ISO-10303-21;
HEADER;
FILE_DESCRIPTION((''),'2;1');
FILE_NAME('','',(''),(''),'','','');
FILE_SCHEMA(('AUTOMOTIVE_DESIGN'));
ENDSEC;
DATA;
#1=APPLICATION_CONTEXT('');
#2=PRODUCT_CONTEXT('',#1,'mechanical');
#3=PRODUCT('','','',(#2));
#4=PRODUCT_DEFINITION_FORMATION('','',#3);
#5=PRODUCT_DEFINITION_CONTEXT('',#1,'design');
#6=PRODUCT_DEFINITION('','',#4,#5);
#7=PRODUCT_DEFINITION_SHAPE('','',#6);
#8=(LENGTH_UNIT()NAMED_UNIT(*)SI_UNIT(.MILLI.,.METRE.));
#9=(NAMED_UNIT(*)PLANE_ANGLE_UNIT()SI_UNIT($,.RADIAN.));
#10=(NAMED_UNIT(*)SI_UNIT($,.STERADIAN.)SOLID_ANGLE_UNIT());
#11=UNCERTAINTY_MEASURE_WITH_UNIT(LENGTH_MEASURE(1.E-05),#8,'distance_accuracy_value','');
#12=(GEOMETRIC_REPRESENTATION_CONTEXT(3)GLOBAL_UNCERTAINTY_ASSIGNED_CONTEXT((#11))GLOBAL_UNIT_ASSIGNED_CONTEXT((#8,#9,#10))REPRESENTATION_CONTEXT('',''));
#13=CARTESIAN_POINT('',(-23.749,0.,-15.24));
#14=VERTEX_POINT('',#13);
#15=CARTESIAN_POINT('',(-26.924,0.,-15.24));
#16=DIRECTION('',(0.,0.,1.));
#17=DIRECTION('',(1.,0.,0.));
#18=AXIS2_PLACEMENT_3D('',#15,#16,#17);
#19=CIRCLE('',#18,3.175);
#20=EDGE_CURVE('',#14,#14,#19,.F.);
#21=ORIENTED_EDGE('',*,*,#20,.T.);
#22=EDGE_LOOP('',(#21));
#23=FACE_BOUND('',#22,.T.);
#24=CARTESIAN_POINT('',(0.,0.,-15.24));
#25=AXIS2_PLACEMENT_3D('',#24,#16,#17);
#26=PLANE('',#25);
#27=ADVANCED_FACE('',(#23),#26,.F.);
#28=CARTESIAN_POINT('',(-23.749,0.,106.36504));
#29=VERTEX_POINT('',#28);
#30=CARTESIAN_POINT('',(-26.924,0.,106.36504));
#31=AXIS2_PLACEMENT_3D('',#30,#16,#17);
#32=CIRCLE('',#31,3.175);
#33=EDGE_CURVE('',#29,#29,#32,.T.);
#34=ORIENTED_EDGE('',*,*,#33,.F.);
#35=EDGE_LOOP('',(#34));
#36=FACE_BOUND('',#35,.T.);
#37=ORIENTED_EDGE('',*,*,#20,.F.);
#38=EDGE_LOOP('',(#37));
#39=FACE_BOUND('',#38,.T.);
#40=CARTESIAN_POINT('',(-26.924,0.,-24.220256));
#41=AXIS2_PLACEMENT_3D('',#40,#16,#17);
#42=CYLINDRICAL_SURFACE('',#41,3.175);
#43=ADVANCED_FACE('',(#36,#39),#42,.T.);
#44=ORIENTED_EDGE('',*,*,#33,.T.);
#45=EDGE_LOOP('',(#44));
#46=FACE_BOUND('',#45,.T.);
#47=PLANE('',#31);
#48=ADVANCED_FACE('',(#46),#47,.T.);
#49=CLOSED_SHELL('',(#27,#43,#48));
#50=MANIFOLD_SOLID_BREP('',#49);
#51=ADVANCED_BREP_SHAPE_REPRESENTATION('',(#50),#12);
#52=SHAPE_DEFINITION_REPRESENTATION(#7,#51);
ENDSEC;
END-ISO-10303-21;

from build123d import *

# Parameters (mm, degrees)
SKETCH2_R           = 3.175
BOSS_EXTRUDE1_DEPTH = 121.60504


with BuildPart() as part:
    # Sketch2 → Boss-Extrude1 (new body)
    with BuildSketch(Plane.XY.offset(106.36504)):
        with Locations((-26.924, 0)):
            Circle(SKETCH2_R)
    extrude(amount=-BOSS_EXTRUDE1_DEPTH)


solid = part.part
